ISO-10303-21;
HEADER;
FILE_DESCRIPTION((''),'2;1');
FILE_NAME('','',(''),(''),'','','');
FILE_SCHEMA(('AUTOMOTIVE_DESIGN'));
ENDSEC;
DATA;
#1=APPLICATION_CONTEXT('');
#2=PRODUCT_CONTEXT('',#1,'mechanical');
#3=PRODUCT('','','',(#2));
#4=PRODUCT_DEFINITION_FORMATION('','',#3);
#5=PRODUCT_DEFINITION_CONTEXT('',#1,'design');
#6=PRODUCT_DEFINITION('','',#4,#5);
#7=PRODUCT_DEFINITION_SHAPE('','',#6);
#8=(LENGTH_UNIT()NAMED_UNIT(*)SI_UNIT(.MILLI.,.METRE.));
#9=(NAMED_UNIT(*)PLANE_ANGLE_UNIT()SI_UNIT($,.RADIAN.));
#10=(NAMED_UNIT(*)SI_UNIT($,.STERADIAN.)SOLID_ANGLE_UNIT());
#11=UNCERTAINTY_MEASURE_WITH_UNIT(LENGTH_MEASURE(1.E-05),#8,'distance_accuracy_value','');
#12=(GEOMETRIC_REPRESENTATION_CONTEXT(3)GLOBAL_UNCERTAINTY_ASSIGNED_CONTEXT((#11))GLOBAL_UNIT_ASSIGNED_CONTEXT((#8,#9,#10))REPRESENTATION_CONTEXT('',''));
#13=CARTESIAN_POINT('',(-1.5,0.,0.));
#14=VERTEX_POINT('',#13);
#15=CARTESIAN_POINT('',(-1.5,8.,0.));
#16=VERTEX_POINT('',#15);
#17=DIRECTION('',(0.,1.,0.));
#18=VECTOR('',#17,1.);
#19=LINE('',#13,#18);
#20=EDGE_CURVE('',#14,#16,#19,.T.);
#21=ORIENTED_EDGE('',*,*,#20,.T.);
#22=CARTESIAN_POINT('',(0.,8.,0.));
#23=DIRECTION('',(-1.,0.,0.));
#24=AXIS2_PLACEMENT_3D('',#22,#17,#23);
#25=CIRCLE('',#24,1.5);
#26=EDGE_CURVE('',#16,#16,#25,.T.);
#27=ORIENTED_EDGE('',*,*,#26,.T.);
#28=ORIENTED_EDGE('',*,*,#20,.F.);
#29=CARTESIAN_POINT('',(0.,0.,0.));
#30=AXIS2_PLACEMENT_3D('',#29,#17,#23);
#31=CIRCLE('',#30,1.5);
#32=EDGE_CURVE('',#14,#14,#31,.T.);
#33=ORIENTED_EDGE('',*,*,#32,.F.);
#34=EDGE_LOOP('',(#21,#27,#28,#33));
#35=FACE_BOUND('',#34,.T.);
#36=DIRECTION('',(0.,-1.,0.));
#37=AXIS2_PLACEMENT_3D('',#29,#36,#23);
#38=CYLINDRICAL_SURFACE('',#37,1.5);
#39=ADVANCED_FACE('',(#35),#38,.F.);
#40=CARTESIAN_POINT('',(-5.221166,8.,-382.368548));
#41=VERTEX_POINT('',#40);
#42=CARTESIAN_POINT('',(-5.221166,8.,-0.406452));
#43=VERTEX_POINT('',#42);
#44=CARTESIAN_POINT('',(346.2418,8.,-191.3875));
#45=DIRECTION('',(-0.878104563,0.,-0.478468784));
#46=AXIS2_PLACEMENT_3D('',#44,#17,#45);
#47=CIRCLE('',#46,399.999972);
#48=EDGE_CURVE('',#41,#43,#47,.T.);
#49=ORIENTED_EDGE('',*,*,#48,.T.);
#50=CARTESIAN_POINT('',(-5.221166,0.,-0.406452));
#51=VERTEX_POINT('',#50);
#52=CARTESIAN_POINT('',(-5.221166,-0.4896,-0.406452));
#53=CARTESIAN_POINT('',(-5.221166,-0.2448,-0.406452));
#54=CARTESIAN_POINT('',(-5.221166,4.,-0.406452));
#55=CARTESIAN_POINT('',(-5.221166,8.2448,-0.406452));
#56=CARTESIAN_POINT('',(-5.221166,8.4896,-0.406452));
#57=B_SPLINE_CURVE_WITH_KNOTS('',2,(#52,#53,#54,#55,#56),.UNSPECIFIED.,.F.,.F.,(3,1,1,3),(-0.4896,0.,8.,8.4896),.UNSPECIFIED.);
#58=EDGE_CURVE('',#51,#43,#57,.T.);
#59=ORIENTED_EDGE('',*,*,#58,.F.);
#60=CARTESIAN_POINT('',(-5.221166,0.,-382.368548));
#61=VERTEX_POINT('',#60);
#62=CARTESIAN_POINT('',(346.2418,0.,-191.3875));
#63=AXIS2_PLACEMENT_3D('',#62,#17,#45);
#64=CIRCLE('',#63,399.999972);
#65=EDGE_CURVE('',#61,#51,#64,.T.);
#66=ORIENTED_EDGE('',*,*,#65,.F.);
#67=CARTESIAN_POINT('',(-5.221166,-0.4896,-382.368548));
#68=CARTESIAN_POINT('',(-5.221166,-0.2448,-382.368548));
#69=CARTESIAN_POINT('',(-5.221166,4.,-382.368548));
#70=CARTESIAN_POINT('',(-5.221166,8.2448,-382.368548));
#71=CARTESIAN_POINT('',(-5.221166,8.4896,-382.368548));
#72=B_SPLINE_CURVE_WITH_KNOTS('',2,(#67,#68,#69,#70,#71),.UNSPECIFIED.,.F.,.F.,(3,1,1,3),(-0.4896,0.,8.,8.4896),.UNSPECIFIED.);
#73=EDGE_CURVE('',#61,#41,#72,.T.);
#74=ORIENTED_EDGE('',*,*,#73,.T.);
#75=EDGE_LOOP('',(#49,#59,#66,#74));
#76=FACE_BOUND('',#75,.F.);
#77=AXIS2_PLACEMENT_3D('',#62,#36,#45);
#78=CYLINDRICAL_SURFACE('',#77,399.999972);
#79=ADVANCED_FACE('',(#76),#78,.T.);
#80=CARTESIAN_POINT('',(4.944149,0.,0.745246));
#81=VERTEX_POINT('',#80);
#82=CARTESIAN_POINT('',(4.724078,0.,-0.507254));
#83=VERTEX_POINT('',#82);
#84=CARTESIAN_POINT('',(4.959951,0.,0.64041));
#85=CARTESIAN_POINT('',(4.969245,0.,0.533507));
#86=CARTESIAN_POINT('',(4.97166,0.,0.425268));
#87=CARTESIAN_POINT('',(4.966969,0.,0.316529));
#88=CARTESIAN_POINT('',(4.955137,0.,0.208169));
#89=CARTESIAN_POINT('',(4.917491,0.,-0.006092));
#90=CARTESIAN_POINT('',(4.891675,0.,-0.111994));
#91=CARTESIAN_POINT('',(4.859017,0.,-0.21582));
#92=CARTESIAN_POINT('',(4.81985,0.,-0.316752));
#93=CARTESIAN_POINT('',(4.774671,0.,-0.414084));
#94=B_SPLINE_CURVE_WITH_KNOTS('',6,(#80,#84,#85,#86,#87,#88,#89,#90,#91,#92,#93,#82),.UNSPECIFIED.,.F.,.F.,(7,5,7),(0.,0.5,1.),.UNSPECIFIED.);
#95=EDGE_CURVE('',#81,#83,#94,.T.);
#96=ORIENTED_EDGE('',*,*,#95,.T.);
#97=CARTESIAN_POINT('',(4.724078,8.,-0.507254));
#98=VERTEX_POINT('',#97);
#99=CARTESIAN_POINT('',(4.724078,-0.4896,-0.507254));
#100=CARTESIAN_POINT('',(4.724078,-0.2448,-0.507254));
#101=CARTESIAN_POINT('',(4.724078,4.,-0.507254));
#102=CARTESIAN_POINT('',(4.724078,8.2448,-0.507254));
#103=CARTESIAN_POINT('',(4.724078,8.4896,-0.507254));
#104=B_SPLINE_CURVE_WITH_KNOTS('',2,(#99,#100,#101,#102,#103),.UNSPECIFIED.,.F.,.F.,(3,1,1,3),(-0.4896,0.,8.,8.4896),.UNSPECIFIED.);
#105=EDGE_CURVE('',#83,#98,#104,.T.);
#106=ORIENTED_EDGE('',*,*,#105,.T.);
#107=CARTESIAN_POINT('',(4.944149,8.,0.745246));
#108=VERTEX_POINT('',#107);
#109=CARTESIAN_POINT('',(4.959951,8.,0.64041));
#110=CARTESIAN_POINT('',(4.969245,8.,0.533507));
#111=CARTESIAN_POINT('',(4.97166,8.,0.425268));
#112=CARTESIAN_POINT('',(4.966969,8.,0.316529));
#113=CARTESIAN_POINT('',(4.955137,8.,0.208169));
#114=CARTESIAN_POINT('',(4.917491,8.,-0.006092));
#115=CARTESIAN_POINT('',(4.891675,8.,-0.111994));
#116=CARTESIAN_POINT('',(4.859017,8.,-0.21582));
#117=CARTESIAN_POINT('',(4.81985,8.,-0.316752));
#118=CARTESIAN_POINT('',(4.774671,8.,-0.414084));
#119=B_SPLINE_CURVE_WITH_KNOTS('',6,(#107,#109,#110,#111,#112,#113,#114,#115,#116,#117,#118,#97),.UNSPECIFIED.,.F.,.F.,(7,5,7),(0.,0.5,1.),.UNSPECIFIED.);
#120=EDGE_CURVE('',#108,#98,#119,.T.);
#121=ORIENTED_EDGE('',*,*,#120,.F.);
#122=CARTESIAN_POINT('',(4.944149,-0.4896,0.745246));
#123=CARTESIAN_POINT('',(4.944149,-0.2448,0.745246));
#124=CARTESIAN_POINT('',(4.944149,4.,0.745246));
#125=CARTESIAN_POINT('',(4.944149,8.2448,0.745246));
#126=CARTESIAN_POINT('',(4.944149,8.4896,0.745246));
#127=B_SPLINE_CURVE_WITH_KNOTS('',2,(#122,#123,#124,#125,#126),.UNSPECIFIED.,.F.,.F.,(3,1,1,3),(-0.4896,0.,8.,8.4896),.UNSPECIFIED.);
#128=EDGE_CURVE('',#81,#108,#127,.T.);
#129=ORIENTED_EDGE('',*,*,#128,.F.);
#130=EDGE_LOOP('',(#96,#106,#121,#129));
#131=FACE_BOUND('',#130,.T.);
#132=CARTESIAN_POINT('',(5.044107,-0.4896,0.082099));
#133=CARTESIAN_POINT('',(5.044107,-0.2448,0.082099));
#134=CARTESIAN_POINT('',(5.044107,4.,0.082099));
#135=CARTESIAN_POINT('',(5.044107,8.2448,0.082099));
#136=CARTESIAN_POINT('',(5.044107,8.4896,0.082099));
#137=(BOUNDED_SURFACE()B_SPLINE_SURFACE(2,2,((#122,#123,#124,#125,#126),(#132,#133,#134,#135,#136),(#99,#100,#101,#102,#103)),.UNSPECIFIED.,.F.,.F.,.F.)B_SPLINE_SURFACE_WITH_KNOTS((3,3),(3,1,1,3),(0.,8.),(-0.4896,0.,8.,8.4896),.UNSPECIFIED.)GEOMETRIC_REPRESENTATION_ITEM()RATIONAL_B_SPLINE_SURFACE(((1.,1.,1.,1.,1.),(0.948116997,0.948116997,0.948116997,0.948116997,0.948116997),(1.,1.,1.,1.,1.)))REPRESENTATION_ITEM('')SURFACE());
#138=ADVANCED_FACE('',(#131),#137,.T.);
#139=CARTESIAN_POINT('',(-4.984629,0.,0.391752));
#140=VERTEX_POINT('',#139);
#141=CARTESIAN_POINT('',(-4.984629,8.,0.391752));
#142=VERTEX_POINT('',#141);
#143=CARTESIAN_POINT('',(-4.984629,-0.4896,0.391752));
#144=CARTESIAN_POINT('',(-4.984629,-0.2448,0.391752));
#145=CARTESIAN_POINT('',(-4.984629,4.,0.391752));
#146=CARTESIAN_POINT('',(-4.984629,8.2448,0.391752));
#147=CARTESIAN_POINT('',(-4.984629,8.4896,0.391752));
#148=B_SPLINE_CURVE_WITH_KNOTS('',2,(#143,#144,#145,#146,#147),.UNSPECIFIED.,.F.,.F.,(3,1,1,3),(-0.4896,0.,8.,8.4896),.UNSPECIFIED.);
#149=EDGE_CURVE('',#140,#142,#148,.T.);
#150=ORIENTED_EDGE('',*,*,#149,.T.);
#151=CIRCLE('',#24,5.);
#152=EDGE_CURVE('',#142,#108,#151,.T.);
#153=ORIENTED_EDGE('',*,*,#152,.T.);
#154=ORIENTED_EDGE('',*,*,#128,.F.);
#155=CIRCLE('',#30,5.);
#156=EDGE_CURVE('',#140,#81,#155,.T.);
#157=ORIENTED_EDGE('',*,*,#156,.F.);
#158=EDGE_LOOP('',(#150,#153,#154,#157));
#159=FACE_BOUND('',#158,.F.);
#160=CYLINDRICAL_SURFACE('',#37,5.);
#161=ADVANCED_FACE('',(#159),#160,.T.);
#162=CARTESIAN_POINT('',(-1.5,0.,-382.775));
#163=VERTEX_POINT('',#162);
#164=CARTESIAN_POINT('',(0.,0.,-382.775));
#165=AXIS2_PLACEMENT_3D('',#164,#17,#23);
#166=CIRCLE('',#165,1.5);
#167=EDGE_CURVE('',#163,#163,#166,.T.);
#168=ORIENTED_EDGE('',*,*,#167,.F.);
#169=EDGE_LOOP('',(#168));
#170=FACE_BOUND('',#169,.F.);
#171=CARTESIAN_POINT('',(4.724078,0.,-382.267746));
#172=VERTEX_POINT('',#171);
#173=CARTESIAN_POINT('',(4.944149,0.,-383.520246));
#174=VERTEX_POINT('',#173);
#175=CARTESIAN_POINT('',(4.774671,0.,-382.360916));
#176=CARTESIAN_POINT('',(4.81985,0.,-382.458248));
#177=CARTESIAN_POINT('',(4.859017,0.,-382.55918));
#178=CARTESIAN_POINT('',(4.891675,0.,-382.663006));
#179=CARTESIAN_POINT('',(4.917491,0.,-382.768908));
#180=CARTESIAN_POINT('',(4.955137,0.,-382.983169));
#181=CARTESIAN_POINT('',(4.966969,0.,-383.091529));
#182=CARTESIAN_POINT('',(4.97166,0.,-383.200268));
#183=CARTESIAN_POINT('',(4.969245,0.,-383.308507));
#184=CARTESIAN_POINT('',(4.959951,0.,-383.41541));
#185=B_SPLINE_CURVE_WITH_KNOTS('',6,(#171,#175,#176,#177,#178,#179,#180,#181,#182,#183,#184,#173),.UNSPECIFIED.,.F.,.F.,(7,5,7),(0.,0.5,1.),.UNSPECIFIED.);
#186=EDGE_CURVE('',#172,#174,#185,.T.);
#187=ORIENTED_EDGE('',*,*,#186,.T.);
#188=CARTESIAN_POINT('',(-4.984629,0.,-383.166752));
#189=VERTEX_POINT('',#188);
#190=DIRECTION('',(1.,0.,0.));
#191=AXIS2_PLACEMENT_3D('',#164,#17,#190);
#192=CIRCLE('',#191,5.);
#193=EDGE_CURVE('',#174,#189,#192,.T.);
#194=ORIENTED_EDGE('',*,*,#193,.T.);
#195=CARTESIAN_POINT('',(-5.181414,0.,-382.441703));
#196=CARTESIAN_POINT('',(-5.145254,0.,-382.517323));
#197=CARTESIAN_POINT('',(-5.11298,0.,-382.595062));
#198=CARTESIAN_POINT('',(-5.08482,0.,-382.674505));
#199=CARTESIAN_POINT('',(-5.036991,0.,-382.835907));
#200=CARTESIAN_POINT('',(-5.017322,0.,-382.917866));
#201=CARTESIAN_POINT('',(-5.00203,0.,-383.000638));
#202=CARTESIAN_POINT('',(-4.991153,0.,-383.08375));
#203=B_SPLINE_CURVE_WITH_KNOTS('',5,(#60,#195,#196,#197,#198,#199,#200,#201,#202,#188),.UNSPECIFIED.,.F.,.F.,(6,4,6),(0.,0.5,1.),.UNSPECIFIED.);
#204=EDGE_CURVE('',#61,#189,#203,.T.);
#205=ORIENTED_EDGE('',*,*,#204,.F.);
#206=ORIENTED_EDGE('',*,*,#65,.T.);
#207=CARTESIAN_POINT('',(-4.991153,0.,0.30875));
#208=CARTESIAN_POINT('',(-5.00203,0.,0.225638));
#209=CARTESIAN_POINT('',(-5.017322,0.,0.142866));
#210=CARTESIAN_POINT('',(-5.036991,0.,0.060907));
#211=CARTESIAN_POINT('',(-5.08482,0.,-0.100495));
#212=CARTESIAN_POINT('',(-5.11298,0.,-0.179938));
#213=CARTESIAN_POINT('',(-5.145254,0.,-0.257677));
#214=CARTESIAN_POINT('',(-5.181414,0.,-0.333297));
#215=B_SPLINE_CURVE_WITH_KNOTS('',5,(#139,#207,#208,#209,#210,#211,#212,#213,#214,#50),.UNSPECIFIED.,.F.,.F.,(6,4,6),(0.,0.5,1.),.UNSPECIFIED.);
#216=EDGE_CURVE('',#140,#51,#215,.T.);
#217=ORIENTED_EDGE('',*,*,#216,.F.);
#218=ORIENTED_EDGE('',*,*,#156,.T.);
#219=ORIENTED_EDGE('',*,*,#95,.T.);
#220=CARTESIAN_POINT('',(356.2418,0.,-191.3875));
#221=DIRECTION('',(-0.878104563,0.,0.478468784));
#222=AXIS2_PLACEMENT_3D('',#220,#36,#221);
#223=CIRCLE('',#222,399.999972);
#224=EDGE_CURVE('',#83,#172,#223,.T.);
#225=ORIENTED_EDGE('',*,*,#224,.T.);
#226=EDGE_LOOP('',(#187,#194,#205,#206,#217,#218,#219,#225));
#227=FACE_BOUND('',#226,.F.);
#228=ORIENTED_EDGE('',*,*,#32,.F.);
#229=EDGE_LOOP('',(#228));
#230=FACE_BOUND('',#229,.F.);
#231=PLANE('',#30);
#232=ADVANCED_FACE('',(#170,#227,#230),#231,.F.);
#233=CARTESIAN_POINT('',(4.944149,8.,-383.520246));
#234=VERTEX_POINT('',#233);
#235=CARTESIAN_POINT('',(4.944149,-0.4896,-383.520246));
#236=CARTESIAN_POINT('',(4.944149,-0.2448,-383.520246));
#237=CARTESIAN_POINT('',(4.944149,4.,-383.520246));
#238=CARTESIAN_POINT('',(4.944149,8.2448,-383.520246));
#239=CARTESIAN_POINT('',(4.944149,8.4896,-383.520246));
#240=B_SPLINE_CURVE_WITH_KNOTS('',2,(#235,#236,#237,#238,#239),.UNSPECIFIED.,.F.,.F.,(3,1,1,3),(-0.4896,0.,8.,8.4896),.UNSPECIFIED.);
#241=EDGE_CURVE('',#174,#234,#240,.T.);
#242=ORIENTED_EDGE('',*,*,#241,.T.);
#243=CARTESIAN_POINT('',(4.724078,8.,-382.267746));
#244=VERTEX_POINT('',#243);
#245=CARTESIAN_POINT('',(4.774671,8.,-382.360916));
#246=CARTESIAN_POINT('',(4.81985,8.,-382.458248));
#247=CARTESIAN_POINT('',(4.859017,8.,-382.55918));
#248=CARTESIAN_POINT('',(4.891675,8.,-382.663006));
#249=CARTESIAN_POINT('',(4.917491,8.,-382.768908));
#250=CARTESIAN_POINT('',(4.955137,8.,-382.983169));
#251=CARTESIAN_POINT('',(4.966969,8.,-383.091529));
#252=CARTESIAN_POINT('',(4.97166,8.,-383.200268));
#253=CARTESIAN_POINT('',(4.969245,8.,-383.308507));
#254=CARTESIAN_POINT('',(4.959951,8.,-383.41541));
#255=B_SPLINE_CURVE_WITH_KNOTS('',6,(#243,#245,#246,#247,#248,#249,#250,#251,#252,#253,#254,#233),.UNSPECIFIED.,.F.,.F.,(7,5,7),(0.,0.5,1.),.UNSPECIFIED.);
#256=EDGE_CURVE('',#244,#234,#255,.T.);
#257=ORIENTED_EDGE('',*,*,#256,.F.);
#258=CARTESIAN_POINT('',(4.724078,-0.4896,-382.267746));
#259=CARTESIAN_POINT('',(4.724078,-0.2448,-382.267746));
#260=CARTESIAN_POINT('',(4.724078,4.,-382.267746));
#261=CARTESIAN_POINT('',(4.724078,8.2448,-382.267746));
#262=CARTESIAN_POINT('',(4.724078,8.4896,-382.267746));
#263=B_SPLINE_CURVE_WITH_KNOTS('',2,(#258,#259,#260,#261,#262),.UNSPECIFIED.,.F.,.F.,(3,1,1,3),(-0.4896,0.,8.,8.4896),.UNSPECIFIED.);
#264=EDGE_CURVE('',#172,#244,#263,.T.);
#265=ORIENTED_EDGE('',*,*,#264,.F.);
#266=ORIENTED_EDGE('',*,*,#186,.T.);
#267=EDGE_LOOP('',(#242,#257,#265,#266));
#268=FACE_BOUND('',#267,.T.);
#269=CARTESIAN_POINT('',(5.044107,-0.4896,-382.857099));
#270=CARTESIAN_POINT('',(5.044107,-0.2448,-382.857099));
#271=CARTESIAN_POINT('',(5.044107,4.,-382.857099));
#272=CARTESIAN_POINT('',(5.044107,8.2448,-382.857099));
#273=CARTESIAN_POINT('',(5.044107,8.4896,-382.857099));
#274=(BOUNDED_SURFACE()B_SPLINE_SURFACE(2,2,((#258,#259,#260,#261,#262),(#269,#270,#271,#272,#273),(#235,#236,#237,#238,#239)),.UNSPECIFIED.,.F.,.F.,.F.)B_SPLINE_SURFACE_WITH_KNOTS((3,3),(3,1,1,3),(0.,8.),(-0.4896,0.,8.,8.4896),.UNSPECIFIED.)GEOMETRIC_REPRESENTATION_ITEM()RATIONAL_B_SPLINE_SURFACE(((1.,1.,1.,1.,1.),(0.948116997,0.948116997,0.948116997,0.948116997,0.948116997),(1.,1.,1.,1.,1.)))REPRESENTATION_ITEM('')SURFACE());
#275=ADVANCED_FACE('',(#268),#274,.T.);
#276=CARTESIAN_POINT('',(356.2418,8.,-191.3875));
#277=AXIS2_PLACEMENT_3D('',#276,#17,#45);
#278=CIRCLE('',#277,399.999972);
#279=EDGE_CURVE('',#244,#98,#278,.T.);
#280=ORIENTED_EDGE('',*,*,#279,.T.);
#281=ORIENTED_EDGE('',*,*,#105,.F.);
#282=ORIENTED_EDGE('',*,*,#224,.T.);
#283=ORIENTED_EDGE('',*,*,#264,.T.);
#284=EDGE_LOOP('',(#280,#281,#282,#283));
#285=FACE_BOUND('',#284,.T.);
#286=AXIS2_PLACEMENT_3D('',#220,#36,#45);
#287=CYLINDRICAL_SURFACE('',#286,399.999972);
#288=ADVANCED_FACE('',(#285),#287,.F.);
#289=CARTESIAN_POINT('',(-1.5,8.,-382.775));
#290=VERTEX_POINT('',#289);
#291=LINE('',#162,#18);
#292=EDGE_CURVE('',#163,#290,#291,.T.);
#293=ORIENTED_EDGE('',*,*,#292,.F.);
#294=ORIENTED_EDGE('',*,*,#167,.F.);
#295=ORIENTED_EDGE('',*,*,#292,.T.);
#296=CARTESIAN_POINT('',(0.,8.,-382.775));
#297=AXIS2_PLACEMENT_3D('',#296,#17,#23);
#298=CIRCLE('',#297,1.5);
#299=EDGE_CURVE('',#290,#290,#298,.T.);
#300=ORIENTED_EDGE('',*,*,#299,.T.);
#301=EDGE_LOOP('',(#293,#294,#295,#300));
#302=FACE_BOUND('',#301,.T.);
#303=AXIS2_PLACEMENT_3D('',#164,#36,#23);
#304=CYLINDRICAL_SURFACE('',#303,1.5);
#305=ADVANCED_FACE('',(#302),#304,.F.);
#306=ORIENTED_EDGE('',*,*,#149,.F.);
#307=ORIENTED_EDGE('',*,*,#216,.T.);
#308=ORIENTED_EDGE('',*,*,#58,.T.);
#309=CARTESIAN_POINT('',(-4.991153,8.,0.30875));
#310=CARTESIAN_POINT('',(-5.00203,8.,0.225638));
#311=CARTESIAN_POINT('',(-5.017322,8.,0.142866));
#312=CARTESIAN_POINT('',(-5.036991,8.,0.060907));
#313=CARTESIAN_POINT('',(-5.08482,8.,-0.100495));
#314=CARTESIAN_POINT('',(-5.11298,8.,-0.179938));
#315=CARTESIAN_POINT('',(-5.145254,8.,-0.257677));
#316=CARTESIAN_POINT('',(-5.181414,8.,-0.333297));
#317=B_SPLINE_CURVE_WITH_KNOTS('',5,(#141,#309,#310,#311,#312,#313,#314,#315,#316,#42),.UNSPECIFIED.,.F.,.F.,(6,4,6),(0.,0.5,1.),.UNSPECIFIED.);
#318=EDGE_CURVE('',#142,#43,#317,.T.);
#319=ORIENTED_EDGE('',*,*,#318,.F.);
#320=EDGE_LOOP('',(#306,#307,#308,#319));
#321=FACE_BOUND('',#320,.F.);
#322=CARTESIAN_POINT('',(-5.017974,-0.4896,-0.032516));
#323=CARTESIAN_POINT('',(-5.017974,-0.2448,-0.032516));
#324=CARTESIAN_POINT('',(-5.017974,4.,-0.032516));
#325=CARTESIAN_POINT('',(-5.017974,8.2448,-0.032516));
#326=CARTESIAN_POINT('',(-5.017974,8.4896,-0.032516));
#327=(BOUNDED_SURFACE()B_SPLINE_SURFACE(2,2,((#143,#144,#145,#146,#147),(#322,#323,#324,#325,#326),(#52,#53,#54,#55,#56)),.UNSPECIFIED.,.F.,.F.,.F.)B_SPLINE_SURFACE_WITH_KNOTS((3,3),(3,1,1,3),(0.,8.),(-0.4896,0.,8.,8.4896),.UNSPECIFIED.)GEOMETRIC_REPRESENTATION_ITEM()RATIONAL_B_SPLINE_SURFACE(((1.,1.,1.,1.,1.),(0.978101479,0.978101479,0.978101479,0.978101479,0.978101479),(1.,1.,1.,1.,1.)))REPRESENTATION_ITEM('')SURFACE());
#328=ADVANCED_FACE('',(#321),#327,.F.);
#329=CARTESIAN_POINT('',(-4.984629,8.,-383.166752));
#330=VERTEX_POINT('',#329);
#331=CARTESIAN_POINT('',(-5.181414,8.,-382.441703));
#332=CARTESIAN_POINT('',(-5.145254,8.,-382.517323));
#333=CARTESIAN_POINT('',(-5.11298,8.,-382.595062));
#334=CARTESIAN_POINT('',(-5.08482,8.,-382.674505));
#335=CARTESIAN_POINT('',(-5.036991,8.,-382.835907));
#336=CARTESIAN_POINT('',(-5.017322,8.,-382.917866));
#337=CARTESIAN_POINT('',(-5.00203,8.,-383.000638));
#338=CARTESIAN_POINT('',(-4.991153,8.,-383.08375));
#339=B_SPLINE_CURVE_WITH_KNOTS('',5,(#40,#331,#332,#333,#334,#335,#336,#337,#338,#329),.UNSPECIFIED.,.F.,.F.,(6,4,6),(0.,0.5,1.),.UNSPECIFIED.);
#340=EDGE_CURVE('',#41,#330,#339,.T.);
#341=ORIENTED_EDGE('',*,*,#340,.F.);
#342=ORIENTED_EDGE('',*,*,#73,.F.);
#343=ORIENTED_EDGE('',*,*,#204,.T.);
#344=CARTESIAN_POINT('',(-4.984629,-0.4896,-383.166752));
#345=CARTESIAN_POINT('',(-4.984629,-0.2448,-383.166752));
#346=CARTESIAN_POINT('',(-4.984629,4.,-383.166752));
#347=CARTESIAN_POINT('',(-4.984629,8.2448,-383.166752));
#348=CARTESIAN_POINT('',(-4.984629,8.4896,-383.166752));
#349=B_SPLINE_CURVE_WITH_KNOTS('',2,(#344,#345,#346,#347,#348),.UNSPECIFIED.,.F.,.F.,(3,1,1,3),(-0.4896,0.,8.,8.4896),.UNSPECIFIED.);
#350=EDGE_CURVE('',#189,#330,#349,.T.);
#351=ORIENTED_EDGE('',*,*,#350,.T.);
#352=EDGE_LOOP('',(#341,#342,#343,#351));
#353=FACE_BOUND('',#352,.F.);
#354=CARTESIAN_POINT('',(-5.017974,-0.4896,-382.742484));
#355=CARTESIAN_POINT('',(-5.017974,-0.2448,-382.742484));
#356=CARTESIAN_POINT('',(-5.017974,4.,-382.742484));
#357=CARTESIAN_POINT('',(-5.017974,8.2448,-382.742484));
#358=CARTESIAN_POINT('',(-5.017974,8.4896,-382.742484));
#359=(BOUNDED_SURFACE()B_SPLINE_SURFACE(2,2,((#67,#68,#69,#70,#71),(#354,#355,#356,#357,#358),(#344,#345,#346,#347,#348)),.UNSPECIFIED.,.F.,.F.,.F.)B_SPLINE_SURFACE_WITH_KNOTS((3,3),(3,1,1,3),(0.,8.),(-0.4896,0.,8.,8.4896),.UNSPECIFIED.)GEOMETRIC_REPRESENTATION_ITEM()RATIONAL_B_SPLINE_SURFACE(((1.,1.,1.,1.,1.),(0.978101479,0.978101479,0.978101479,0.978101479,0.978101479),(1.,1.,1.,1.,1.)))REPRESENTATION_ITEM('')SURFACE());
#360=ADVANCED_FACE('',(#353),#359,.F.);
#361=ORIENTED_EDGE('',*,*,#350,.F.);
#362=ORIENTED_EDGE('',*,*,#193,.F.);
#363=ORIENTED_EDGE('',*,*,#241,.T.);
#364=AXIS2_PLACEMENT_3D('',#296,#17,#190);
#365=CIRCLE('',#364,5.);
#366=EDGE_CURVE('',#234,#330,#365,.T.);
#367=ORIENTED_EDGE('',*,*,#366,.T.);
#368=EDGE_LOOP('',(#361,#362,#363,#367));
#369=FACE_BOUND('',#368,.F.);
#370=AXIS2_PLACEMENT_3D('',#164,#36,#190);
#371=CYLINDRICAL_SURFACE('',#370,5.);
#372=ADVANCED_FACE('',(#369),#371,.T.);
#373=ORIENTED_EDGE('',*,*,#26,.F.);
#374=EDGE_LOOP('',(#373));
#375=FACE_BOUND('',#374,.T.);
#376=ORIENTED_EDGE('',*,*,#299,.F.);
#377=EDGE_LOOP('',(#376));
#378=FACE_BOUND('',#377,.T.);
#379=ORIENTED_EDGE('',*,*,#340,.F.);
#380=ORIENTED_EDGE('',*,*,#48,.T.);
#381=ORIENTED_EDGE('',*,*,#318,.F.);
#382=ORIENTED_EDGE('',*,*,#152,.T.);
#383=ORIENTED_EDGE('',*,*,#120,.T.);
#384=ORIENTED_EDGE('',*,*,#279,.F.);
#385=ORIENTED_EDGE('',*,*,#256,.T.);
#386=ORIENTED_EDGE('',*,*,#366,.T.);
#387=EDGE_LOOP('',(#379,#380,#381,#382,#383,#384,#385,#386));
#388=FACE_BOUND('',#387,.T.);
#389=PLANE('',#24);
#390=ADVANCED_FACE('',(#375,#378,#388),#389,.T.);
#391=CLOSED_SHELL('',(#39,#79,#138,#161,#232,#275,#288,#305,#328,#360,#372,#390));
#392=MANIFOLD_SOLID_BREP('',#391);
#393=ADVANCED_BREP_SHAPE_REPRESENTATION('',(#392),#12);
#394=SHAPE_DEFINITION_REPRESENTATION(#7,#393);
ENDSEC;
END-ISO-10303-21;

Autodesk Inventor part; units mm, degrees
ref_plane "YZ Plane" through (0, 0, 0) normal (1, 0, 0) x (0, 1, 0)
ref_plane "XZ Plane" through (0, 0, 0) normal (0, 1, 0) x (-1, 0, 0)
ref_plane "XY Plane" through (0, 0, 0) normal (0, 0, 1) x (1, 0, 0)
sketch "Sketch1" plane through (0, 0, 0) normal (0, 1, 0) x (-1, 0, 0)
  line L0 (0, 0) -> (0, -382.775) construction
  line L1 (-5, 0) -> (-5, -382.775)
  line L2 (5, -382.775) -> (5, 0)
  arc A0 (5, 0) -> (-5, 0) centre (0, 0) ccw
  arc A1 (-5, -382.775) -> (5, -382.775) centre (0, -382.775) ccw
  circle A2 centre (0, 0) radius 1.5
  circle A3 centre (0, -382.775) radius 1.5
  arc A4 (5, -382.775) -> (5, 0) centre (-346.2418, -191.3875) ccw
  arc A5 (-5, -382.775) -> (-5, 0) centre (-356.2418, -191.3875) ccw
  point P0 (0, -191.3875)
  dimension "d0" = 382.775
  dimension "d1" = 10
  dimension "d2" = 3
  dimension "d3" = 3
  dimension "d12" = 400
  dimension "d13" = 400
extrude "Extrusion1" add sketch "Sketch1" along normal blind 8 contours A0 L2 A5 | A5 L2 A1 | A4 L2 A5
sketch "Sketch2" plane through (0, 0, 0) normal (0, -1, 0) x (1, 0, 0)
  arc A0 (-5, -382.775) -> (5, -382.775) centre (0, -382.775) ccw projected
  arc A1 (5, 0) -> (-5, 0) centre (0, 0) ccw projected
  circle A2 centre (0, -382.775) radius 1.5 projected
  circle A3 centre (0, 0) radius 1.5 projected
  arc A4 (-5, 0) -> (-5, -382.775) centre (346.2418, -191.3875) ccw projected
  arc A5 (5, 0) -> (5, -382.775) centre (356.2418, -191.3875) ccw projected
fillet "Fillet1" radius 2 4 edges at (5, 4, -382.775) (-5, 4, -382.775) (-5, 4, 0) (5, 4, 0)
